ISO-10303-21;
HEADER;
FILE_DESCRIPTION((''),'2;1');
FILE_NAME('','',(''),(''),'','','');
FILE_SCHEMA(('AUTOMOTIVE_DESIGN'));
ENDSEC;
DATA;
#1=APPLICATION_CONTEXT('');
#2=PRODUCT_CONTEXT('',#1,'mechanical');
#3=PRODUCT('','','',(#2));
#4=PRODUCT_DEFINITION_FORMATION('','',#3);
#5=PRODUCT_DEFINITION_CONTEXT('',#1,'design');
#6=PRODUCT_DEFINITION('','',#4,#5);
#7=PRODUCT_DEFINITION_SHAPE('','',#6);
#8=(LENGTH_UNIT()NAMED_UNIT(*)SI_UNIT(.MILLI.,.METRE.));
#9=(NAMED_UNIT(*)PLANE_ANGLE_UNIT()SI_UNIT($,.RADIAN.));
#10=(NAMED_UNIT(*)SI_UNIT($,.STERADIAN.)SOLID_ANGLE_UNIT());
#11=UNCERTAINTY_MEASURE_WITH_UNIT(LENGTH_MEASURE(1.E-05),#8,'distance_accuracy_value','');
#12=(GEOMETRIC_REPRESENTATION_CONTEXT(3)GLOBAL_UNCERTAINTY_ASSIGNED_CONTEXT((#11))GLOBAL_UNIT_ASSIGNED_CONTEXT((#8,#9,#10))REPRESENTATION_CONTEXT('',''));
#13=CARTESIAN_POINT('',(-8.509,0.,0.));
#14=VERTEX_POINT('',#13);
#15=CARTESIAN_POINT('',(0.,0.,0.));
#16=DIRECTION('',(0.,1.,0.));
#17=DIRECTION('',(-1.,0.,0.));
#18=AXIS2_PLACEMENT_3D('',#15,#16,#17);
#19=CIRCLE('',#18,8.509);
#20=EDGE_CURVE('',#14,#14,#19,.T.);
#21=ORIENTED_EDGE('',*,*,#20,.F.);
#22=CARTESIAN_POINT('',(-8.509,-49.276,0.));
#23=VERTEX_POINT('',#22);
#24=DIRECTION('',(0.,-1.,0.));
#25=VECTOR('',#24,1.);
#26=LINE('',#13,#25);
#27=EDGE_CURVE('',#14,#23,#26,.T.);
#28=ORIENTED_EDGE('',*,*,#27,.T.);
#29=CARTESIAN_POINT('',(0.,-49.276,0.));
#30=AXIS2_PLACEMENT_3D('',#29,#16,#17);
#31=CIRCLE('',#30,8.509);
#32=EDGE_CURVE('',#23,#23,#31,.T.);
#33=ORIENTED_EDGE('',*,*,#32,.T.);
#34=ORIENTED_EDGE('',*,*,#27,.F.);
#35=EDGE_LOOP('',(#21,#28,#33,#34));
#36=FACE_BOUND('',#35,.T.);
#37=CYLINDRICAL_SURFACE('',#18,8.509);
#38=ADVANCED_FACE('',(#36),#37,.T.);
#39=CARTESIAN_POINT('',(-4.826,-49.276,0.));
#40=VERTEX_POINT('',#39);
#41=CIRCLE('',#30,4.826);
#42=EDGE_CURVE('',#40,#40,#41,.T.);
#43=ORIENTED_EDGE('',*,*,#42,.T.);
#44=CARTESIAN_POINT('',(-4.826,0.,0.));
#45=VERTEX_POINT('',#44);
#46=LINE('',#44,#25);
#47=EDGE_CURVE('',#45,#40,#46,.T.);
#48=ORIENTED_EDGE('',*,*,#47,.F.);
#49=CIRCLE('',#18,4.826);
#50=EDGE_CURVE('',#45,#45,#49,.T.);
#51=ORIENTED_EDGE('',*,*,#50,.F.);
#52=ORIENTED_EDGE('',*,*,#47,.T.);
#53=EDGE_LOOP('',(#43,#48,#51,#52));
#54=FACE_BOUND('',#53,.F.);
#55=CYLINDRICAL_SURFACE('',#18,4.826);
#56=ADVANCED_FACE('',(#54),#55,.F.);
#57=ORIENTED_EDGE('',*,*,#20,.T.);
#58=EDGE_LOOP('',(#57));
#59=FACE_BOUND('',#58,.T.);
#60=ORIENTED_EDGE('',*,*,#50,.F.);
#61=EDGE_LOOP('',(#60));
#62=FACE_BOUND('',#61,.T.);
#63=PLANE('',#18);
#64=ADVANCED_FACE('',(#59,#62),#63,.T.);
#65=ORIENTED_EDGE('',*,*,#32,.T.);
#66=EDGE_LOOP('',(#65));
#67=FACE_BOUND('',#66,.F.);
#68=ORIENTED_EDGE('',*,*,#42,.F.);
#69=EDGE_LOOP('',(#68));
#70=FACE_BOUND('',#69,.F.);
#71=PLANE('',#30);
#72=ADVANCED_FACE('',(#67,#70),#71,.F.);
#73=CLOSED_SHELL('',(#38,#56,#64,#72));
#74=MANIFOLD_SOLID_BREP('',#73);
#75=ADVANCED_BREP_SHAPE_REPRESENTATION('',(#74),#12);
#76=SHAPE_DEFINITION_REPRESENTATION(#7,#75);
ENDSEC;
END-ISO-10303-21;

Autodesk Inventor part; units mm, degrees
ref_plane "YZ Plane" through (0, 0, 0) normal (1, 0, 0) x (0, 1, 0)
ref_plane "XZ Plane" through (0, 0, 0) normal (0, 1, 0) x (-1, 0, 0)
ref_plane "XY Plane" through (0, 0, 0) normal (0, 0, 1) x (1, 0, 0)
sketch "Sketch1" plane through (0, 0, 0) normal (0, 1, 0) x (-1, 0, 0)
  circle A0 centre (0, 0) radius 8.509
  circle A1 centre (0, 0) radius 4.826
  dimension "d0" = 17.018
  dimension "d1" = 9.652
extrude "Extrusion1" add sketch "Sketch1" against normal blind 49.276
properties part number "am-0755" material "ABS Plastic"
